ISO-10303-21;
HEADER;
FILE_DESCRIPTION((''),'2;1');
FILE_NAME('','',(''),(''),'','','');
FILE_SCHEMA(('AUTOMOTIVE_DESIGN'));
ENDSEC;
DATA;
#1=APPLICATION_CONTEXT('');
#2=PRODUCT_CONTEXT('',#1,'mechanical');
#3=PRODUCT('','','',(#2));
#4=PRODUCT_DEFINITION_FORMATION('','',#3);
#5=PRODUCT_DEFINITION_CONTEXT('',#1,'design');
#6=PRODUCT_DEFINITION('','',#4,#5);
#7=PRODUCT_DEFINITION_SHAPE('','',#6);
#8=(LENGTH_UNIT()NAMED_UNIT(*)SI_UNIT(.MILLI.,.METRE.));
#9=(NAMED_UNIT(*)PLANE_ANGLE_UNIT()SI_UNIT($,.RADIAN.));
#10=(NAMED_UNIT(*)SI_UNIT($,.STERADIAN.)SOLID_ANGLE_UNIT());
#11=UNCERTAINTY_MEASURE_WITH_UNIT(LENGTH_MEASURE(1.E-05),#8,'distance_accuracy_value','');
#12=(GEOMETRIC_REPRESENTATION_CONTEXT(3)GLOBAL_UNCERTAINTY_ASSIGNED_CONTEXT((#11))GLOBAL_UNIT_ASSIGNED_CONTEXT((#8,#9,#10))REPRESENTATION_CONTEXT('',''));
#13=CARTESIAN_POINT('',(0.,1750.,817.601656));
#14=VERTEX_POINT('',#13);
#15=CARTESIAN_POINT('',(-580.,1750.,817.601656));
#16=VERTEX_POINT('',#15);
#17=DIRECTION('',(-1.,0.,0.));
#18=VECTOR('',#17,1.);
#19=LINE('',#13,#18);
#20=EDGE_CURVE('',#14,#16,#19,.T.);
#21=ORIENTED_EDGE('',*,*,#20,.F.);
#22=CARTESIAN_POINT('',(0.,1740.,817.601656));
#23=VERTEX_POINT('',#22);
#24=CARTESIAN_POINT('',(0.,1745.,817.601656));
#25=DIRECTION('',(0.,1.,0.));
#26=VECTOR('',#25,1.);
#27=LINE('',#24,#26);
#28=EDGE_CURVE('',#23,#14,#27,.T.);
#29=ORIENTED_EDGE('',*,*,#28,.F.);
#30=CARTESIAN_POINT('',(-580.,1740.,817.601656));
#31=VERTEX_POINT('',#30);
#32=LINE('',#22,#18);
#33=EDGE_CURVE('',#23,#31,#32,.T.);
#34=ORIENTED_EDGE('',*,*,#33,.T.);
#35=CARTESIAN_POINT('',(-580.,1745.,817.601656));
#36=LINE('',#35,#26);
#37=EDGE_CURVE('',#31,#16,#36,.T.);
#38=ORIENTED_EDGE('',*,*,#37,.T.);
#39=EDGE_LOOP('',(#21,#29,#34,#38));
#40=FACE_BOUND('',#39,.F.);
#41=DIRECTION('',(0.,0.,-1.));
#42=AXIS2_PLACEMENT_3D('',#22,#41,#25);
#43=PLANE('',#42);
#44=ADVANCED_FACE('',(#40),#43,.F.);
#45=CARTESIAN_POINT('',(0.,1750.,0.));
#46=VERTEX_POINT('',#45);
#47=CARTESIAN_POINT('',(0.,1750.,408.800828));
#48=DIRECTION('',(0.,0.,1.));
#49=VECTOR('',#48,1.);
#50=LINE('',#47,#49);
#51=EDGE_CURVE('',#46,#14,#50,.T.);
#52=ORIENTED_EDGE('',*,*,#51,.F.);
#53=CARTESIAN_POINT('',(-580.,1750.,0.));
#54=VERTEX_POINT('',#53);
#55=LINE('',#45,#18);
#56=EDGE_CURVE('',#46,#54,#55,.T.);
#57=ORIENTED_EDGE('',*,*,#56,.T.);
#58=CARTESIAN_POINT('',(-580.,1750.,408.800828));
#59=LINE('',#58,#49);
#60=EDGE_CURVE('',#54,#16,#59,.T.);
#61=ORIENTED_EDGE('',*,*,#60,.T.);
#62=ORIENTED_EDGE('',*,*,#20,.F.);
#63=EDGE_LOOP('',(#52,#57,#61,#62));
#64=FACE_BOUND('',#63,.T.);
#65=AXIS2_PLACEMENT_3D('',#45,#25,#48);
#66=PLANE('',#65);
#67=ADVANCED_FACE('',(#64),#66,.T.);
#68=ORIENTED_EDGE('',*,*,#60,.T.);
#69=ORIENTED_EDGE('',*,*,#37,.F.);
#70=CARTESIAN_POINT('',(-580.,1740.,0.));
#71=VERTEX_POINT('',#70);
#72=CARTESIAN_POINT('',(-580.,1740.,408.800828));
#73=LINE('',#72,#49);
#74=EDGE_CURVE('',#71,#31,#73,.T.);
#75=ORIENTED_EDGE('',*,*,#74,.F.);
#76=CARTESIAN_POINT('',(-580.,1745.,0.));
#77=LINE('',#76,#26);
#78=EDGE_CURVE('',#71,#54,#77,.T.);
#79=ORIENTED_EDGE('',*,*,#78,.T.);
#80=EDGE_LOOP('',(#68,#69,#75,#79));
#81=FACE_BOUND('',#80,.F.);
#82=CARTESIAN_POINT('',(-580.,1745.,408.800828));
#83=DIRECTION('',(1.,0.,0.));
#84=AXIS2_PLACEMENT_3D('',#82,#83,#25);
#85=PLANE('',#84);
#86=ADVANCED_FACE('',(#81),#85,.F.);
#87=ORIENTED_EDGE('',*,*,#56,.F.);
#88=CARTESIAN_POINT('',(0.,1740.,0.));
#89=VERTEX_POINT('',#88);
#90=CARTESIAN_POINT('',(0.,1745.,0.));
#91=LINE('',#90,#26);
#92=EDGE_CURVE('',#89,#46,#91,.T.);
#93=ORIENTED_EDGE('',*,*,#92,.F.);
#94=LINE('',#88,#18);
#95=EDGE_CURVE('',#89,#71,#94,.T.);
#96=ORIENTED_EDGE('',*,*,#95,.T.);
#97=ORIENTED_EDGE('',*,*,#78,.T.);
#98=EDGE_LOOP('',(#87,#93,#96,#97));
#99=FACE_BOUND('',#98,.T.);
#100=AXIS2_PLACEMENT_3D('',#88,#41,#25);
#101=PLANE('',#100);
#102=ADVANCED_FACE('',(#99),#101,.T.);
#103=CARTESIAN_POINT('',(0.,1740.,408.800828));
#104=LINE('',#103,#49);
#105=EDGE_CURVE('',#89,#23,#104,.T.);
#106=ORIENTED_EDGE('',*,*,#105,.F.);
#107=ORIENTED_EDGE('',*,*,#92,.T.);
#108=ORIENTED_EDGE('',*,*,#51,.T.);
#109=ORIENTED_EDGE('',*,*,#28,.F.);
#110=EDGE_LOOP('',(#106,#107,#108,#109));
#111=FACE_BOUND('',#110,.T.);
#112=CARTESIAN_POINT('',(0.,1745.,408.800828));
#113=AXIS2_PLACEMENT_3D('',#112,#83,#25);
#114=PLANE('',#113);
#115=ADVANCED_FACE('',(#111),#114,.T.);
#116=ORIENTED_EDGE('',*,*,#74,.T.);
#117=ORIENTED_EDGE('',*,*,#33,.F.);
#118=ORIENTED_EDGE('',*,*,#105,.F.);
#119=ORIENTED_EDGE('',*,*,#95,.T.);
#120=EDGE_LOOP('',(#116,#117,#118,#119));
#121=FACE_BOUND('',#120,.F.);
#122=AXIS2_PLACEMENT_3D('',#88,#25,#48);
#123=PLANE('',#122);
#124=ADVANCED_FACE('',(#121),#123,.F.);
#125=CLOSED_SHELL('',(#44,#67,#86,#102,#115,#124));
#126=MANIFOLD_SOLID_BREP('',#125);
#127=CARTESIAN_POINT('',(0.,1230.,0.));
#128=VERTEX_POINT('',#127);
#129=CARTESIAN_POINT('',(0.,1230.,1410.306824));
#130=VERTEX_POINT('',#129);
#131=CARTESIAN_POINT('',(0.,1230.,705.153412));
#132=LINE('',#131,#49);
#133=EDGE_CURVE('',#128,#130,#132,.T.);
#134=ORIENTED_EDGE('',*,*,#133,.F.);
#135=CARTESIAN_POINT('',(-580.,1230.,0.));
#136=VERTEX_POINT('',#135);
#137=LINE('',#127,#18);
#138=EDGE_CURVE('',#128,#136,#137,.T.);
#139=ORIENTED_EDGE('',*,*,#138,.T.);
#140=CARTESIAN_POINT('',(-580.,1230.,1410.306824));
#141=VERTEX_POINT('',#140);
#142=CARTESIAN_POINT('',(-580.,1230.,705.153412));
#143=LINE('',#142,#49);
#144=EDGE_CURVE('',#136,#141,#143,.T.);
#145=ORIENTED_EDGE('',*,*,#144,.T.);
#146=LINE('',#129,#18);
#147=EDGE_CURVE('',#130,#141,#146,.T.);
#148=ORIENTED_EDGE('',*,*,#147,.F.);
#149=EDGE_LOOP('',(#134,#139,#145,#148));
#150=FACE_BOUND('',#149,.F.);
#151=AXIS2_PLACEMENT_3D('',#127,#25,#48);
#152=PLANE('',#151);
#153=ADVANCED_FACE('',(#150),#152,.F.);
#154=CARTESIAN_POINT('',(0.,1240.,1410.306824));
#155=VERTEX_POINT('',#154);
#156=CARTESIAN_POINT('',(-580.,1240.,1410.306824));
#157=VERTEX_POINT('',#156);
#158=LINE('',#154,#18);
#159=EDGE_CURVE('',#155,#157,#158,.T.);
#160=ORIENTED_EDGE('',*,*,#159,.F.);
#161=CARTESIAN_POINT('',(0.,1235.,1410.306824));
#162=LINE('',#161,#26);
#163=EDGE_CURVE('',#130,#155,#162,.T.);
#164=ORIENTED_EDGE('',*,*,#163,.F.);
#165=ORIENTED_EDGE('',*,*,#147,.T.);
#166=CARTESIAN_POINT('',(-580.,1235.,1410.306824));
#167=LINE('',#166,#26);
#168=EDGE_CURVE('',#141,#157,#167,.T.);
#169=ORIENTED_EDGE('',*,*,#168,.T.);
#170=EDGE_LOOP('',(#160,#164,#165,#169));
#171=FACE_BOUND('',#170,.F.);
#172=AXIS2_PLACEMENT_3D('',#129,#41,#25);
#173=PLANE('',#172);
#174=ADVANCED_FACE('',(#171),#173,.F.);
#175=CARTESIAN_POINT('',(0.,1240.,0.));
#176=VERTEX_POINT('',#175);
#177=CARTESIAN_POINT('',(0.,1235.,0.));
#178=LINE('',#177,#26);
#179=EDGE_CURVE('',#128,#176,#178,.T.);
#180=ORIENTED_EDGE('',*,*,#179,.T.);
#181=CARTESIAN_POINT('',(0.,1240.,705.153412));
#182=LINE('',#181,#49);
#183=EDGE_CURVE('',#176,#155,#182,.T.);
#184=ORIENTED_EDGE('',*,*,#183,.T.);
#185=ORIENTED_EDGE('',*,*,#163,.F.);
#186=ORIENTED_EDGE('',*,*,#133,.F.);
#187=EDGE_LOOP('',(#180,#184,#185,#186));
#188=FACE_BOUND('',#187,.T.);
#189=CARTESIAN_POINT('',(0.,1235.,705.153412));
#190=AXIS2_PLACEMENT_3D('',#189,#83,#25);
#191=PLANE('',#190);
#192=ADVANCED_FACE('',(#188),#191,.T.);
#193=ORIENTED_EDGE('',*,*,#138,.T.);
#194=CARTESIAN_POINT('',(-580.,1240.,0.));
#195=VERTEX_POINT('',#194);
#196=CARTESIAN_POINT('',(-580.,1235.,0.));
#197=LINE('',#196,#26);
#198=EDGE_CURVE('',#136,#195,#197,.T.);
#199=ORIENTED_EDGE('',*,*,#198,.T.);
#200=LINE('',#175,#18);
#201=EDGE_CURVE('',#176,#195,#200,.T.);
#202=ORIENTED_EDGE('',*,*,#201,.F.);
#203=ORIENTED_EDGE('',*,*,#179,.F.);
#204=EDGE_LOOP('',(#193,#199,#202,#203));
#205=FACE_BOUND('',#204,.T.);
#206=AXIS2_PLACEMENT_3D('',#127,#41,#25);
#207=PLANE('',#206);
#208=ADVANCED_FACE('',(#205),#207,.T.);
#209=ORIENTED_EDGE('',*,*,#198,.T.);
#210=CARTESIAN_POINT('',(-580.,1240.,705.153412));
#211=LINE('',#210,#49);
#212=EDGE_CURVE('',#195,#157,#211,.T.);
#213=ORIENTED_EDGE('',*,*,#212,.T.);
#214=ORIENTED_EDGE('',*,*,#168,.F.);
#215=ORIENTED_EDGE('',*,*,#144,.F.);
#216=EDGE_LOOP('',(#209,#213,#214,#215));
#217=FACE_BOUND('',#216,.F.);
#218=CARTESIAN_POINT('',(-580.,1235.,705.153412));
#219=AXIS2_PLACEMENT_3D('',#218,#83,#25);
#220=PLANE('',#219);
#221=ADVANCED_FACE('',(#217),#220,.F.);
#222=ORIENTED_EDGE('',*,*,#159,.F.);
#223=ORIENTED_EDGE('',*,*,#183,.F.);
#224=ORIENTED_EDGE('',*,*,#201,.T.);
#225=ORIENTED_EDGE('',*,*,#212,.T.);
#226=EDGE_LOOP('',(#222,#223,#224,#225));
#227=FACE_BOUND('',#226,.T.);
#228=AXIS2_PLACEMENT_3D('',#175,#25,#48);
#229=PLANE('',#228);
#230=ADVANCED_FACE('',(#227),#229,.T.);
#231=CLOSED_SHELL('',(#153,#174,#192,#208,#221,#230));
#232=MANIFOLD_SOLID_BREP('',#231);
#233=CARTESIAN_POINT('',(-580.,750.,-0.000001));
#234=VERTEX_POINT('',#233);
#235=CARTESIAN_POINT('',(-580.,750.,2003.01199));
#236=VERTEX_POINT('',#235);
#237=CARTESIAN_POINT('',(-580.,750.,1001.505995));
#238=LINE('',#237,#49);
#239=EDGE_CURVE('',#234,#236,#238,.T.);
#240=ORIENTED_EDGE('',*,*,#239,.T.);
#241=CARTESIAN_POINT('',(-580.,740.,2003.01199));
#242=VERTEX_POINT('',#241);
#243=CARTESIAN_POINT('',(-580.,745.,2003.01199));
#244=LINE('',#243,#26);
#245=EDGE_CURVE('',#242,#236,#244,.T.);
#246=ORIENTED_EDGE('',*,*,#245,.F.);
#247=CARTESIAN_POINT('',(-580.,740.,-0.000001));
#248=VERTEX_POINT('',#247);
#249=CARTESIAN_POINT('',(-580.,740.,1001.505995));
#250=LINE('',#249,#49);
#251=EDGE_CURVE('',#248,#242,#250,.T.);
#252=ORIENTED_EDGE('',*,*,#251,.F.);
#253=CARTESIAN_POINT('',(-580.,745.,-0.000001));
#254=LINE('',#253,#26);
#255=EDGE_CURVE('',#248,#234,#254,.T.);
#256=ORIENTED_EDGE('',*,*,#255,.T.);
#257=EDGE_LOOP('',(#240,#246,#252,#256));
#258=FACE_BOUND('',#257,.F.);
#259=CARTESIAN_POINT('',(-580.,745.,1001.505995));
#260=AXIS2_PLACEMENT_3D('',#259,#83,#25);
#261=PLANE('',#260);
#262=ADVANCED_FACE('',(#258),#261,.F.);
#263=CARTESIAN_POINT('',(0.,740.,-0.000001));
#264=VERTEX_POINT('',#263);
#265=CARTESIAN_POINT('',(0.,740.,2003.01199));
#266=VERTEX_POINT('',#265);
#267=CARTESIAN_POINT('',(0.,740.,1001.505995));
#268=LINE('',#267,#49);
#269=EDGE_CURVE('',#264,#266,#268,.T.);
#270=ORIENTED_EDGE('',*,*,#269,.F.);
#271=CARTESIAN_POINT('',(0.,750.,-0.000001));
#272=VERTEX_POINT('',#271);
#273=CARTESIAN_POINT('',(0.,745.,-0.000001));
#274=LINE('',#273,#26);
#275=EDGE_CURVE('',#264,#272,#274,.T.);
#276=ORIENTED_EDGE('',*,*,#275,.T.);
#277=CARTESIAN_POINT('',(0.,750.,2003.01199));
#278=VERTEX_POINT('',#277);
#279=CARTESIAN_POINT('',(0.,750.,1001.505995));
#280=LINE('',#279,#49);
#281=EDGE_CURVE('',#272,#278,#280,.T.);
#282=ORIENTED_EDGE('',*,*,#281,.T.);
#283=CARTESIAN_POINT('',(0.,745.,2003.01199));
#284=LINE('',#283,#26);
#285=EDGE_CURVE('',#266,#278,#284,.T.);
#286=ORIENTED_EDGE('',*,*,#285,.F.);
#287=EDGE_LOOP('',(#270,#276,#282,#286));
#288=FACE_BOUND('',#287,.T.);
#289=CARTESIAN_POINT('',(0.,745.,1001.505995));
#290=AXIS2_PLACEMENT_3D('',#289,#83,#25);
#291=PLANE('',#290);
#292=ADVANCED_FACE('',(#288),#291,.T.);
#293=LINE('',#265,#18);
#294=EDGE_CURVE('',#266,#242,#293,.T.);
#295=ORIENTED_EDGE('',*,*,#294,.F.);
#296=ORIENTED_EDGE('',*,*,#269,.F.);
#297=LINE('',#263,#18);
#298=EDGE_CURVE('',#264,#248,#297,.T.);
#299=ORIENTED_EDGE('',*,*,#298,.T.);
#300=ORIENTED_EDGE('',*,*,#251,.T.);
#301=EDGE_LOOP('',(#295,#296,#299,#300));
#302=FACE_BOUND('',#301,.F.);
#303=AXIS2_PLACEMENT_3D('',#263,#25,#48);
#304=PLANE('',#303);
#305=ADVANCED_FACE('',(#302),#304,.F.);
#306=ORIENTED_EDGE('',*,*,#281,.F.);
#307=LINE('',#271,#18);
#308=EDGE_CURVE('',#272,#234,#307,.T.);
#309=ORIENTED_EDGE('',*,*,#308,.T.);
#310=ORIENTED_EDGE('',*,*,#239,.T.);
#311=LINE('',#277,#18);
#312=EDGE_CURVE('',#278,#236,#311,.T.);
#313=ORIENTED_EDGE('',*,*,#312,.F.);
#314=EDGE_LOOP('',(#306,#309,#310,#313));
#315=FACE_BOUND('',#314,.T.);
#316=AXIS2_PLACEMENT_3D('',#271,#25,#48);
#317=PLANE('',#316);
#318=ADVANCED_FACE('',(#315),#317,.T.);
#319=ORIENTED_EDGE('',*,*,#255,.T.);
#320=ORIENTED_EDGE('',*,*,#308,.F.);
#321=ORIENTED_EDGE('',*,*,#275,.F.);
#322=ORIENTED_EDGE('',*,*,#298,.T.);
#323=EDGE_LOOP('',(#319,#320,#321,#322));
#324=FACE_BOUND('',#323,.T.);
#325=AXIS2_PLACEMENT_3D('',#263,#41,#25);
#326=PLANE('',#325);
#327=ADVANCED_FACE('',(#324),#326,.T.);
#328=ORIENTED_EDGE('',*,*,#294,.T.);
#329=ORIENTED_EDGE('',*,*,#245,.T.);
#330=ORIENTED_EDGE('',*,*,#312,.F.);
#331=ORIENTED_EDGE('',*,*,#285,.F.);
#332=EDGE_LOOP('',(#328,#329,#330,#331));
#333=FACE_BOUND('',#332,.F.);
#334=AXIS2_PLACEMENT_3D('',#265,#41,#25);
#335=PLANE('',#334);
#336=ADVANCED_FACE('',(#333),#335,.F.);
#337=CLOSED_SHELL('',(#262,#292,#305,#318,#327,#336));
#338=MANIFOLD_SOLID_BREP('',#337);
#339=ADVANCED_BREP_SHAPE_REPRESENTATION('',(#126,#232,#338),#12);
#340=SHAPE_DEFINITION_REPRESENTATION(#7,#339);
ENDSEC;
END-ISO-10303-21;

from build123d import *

# Parameters (mm, degrees)
F2_W     = 10
F2_H     = 2003.011991
F2_H_2   = 1410.306824
F2_H_3   = 817.601657
F3_DEPTH = 580


with BuildPart() as f3:
    # F2 (on Right) → F3 (new body)
    with BuildSketch(Plane.YZ):
        with Locations((745, 1001.505995)):
            Rectangle(F2_W, F2_H)
        with Locations((1235, 705.153412)):
            Rectangle(F2_W, F2_H_2)
        with Locations((1745, 408.800828)):
            Rectangle(F2_W, F2_H_3)
    extrude(amount=-F3_DEPTH)


solid = f3.part
